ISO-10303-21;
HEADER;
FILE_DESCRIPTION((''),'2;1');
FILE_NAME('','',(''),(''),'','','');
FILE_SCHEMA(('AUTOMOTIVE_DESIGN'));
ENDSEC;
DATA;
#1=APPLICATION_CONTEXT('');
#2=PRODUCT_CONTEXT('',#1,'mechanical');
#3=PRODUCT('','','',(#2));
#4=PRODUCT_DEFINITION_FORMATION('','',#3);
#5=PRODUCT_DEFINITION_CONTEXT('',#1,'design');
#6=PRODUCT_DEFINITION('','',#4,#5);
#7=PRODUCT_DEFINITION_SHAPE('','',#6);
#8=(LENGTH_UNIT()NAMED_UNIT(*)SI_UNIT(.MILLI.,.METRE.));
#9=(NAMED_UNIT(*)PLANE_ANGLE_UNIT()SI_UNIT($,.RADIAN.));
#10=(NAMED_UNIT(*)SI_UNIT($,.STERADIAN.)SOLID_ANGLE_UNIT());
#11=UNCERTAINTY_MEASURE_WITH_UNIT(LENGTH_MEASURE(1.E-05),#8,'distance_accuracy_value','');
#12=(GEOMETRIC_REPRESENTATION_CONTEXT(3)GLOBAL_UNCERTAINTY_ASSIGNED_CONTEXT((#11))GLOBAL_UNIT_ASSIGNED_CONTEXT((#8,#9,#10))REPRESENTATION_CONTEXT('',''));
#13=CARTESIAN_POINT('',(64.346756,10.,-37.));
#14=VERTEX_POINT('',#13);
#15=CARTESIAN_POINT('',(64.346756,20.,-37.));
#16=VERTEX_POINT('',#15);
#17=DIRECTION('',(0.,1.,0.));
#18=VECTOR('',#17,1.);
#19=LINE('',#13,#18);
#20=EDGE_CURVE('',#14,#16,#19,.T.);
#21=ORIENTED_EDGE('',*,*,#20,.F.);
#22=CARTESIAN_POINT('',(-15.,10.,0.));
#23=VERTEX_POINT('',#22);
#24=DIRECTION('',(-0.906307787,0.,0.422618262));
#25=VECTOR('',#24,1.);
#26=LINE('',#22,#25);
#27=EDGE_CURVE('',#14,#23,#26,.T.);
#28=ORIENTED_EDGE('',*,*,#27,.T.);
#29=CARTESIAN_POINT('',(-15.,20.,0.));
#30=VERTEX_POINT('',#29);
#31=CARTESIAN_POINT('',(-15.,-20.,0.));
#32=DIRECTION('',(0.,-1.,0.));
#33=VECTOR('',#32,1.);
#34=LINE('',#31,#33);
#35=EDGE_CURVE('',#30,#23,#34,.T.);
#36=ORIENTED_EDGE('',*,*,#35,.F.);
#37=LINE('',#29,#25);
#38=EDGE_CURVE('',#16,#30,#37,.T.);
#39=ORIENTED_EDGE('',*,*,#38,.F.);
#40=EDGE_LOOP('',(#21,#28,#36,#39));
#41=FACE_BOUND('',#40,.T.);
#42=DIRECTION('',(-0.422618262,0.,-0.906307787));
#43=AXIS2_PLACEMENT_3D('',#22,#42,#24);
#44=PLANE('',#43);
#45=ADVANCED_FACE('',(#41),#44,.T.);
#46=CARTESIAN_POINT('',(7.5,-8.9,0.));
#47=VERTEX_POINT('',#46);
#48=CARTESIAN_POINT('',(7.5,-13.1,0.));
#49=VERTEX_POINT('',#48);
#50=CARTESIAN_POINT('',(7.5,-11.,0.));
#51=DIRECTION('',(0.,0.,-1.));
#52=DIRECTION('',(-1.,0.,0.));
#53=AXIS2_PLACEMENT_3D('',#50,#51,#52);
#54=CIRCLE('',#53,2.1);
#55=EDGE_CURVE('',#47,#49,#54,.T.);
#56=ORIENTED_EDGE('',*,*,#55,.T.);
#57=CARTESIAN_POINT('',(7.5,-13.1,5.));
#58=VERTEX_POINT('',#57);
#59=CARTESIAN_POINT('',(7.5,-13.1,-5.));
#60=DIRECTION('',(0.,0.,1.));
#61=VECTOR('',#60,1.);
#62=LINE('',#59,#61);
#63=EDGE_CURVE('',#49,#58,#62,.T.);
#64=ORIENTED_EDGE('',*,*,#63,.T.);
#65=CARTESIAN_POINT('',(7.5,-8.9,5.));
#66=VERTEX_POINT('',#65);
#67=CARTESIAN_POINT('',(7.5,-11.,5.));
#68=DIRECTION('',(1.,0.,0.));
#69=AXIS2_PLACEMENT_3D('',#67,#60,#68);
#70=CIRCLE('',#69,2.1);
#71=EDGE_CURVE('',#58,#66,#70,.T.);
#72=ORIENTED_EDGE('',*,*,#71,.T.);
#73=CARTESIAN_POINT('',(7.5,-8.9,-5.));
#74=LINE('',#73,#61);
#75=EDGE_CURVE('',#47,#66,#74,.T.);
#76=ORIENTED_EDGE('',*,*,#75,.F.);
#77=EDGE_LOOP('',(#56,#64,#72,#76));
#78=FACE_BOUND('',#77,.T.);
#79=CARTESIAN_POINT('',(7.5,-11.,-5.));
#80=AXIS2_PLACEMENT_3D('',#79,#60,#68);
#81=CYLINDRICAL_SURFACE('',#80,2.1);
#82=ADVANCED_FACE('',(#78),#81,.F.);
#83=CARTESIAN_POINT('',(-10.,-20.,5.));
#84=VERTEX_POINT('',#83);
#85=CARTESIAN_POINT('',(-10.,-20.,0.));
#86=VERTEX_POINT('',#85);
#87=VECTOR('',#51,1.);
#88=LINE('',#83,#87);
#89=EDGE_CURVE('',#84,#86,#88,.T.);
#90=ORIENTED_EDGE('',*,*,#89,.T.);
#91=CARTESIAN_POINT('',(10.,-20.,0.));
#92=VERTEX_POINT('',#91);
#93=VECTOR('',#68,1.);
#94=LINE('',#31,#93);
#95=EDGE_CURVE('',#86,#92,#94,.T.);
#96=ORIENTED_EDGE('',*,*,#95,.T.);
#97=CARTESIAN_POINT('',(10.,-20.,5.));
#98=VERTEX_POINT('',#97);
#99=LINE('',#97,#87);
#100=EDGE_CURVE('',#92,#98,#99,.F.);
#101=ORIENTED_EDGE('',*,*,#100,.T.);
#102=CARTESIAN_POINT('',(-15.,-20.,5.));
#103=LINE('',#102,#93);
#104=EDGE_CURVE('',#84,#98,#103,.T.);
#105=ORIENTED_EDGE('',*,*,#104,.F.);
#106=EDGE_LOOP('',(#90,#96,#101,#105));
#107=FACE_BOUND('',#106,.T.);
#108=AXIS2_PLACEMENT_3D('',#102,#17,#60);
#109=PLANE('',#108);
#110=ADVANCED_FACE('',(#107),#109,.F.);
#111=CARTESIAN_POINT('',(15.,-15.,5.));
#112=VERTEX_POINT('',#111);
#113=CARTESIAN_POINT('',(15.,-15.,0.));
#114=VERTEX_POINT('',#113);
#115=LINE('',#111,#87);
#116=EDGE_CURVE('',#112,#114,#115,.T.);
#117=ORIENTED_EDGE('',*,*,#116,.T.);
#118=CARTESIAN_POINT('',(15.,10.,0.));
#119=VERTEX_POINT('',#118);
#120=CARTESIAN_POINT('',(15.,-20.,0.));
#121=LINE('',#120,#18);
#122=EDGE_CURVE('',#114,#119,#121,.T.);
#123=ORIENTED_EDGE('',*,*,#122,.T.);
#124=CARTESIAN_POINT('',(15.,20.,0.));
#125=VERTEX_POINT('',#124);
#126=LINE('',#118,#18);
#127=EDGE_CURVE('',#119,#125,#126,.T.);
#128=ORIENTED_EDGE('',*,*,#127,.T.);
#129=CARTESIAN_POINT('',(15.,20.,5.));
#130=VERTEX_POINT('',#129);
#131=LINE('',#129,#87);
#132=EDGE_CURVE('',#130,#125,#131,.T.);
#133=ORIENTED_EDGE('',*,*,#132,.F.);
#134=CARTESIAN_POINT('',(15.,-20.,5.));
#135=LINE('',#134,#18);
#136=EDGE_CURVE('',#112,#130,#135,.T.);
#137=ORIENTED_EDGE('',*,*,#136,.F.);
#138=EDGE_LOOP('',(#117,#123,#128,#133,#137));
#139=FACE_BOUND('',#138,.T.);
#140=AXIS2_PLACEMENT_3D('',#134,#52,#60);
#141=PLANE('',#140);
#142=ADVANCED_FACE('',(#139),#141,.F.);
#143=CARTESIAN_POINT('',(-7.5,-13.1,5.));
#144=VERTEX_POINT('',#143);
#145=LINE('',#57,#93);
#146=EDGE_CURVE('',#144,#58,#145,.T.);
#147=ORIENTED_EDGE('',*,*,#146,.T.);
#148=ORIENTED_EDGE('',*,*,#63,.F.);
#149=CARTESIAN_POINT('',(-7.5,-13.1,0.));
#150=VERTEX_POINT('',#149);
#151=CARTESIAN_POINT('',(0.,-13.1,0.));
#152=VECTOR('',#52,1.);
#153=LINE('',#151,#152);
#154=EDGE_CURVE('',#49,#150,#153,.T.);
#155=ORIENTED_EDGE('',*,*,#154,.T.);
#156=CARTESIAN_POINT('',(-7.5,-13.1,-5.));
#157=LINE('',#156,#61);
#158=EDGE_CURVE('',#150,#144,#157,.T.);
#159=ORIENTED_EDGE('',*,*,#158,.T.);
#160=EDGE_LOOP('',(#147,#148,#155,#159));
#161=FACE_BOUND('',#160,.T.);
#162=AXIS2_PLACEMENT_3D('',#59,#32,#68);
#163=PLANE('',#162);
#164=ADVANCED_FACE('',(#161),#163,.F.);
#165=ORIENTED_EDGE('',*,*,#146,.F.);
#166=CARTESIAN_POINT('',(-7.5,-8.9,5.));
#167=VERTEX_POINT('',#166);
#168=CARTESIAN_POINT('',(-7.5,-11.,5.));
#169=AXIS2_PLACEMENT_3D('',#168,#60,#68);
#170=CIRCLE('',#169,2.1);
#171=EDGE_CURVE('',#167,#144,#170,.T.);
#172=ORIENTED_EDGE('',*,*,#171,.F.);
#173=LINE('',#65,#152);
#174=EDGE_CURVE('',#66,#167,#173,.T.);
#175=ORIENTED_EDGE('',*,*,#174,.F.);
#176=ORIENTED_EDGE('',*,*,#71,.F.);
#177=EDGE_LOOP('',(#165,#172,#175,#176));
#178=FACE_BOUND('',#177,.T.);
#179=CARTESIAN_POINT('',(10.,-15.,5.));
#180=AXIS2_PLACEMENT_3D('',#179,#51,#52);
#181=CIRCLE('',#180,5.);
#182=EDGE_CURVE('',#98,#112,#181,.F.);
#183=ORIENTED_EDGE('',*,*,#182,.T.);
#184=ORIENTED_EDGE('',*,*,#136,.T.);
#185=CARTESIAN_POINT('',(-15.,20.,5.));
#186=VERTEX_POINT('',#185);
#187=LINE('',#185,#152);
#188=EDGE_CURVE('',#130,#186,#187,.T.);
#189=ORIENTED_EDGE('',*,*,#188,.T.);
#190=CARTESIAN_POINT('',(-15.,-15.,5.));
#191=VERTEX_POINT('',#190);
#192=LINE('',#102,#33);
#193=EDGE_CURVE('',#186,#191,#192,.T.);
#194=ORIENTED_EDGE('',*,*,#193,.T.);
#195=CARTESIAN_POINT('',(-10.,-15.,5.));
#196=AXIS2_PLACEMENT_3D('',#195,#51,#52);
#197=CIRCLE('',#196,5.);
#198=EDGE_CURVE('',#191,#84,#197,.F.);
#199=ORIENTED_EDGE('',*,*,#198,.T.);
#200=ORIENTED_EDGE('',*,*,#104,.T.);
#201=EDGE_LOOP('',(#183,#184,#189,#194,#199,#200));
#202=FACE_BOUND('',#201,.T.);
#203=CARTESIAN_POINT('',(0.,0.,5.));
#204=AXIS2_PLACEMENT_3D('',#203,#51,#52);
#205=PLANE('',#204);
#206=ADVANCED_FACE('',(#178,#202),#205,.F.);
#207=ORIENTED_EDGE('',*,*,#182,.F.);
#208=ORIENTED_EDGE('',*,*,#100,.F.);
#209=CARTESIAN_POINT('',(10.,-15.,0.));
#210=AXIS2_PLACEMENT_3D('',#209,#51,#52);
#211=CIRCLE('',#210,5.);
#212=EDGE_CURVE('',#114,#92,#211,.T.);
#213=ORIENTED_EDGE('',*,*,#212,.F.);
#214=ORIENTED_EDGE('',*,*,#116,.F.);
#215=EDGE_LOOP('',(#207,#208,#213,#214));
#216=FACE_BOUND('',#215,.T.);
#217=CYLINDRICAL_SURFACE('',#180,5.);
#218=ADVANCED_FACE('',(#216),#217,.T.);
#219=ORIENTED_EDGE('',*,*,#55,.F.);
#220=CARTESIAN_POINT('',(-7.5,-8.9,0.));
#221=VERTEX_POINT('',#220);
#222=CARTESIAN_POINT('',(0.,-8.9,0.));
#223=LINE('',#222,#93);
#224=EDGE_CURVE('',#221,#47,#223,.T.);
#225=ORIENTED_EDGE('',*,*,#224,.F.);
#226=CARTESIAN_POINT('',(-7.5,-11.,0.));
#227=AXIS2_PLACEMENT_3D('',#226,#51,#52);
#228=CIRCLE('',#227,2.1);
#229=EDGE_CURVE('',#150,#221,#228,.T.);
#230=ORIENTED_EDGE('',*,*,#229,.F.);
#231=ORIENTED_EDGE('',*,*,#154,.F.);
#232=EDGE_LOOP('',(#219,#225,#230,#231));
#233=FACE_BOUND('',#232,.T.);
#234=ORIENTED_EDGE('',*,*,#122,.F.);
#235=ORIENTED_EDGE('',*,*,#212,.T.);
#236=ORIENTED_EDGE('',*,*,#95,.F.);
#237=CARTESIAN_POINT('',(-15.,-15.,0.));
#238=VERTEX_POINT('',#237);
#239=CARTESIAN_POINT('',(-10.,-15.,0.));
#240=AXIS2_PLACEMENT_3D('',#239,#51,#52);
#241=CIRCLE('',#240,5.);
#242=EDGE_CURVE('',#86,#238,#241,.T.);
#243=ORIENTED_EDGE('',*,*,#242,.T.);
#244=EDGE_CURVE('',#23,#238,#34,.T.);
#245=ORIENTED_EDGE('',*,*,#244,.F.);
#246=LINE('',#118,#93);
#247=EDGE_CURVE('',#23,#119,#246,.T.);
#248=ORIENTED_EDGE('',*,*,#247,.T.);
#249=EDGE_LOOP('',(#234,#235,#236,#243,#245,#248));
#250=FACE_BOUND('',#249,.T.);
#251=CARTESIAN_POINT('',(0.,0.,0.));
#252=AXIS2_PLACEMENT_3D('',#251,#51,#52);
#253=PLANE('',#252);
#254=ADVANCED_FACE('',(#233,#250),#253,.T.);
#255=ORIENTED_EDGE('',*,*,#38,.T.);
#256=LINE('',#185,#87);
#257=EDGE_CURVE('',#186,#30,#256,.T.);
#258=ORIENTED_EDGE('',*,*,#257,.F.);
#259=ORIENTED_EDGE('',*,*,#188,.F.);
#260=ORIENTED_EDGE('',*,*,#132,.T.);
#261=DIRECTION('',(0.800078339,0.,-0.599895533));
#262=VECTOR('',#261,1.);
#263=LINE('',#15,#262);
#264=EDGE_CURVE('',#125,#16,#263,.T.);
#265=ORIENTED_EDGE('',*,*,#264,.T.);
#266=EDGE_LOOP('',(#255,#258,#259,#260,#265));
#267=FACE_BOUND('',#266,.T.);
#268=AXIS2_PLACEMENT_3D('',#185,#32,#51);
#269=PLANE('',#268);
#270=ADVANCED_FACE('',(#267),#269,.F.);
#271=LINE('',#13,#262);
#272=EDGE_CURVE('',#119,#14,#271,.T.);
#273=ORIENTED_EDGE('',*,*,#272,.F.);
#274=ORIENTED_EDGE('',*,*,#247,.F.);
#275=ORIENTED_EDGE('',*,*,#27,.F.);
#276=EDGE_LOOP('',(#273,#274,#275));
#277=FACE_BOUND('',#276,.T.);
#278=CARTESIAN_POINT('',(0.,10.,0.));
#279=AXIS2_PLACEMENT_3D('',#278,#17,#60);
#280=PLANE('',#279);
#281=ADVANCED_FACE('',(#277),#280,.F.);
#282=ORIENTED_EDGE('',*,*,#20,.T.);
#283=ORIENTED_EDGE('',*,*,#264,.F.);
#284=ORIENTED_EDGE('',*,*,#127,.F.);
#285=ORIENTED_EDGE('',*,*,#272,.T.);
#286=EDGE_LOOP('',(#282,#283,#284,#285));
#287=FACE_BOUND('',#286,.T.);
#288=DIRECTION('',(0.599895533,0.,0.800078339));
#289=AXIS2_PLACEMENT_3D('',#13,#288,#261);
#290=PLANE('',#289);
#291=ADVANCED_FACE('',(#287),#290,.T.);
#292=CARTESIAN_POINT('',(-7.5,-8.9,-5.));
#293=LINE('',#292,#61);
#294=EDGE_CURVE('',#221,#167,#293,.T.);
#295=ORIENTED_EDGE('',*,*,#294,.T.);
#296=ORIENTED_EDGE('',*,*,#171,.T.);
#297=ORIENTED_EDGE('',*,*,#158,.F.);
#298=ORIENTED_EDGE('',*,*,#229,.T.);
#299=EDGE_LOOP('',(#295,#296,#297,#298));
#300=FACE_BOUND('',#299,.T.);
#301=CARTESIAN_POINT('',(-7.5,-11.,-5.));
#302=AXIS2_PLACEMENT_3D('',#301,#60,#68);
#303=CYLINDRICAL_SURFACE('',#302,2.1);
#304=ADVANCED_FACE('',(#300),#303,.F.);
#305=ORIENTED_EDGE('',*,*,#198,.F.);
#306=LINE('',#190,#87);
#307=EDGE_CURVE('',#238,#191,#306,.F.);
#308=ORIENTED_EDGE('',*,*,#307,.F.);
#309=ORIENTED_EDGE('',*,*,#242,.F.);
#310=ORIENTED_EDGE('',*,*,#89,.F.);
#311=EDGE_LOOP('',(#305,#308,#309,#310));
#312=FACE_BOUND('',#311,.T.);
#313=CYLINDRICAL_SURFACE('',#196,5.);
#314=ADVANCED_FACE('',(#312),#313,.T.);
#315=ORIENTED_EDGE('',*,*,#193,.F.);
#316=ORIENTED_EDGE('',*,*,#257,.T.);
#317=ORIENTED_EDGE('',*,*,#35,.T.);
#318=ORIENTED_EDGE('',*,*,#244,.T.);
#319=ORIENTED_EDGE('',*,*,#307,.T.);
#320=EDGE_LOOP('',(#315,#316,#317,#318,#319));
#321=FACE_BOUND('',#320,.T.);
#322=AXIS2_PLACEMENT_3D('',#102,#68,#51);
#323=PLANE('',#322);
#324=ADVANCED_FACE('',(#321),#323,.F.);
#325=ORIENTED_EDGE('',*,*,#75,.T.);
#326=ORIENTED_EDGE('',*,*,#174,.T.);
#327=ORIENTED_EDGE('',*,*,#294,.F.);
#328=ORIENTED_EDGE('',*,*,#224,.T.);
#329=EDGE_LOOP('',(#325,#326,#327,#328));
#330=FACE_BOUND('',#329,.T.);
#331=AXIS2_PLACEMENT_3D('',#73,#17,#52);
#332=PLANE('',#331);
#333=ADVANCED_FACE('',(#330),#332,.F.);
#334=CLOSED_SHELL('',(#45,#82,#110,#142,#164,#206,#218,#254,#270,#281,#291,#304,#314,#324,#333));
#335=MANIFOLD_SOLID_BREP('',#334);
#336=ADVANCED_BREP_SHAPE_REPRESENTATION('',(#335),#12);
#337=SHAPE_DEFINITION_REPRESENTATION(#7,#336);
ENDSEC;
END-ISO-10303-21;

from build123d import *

# Parameters (mm, degrees)
SKETCH1_W           = 30
SKETCH1_H           = 40
BOSS_EXTRUDE1_DEPTH = 5
BOSS_EXTRUDE2_DEPTH = 10
FILLET2_R           = 5
CUT_EXTRUDE1_DEPTH  = 10


with BuildPart() as part:
    # Sketch1 → Boss-Extrude1 (new body)
    with BuildSketch(Plane.XY):
        Rectangle(SKETCH1_W, SKETCH1_H)
    extrude(amount=BOSS_EXTRUDE1_DEPTH)

    # Sketch2 → Boss-Extrude2 (add)
    with BuildSketch(Plane(origin=(0, 20, 0), x_dir=(1, 0, 0), z_dir=(0, 1, 0))):
        Polygon((-15, 0), (64.346756059, 37), (15, 0), align=None)
    extrude(amount=-BOSS_EXTRUDE2_DEPTH)

    # Fillet2
    fillet2_edges = [part.edges().sort_by_distance(p)[0] for p in [
        (15, -20, 2.5),
        (-15, -20, 2.5),
    ]]
    fillet(fillet2_edges, radius=FILLET2_R)

    # Sketch4 → Cut-Extrude1 (cut)
    with BuildSketch(Plane.XY.offset(5)):
        with BuildLine():
            Line((7.5, -13.1), (-7.5, -13.1))
            ThreePointArc((-7.5, -13.1), (-9.6, -11), (-7.5, -8.9))
            Line((-7.5, -8.9), (7.5, -8.9))
            ThreePointArc((7.5, -8.9), (9.6, -11), (7.5, -13.1))
        make_face()
    extrude(amount=-CUT_EXTRUDE1_DEPTH, mode=Mode.SUBTRACT)


solid = part.part
